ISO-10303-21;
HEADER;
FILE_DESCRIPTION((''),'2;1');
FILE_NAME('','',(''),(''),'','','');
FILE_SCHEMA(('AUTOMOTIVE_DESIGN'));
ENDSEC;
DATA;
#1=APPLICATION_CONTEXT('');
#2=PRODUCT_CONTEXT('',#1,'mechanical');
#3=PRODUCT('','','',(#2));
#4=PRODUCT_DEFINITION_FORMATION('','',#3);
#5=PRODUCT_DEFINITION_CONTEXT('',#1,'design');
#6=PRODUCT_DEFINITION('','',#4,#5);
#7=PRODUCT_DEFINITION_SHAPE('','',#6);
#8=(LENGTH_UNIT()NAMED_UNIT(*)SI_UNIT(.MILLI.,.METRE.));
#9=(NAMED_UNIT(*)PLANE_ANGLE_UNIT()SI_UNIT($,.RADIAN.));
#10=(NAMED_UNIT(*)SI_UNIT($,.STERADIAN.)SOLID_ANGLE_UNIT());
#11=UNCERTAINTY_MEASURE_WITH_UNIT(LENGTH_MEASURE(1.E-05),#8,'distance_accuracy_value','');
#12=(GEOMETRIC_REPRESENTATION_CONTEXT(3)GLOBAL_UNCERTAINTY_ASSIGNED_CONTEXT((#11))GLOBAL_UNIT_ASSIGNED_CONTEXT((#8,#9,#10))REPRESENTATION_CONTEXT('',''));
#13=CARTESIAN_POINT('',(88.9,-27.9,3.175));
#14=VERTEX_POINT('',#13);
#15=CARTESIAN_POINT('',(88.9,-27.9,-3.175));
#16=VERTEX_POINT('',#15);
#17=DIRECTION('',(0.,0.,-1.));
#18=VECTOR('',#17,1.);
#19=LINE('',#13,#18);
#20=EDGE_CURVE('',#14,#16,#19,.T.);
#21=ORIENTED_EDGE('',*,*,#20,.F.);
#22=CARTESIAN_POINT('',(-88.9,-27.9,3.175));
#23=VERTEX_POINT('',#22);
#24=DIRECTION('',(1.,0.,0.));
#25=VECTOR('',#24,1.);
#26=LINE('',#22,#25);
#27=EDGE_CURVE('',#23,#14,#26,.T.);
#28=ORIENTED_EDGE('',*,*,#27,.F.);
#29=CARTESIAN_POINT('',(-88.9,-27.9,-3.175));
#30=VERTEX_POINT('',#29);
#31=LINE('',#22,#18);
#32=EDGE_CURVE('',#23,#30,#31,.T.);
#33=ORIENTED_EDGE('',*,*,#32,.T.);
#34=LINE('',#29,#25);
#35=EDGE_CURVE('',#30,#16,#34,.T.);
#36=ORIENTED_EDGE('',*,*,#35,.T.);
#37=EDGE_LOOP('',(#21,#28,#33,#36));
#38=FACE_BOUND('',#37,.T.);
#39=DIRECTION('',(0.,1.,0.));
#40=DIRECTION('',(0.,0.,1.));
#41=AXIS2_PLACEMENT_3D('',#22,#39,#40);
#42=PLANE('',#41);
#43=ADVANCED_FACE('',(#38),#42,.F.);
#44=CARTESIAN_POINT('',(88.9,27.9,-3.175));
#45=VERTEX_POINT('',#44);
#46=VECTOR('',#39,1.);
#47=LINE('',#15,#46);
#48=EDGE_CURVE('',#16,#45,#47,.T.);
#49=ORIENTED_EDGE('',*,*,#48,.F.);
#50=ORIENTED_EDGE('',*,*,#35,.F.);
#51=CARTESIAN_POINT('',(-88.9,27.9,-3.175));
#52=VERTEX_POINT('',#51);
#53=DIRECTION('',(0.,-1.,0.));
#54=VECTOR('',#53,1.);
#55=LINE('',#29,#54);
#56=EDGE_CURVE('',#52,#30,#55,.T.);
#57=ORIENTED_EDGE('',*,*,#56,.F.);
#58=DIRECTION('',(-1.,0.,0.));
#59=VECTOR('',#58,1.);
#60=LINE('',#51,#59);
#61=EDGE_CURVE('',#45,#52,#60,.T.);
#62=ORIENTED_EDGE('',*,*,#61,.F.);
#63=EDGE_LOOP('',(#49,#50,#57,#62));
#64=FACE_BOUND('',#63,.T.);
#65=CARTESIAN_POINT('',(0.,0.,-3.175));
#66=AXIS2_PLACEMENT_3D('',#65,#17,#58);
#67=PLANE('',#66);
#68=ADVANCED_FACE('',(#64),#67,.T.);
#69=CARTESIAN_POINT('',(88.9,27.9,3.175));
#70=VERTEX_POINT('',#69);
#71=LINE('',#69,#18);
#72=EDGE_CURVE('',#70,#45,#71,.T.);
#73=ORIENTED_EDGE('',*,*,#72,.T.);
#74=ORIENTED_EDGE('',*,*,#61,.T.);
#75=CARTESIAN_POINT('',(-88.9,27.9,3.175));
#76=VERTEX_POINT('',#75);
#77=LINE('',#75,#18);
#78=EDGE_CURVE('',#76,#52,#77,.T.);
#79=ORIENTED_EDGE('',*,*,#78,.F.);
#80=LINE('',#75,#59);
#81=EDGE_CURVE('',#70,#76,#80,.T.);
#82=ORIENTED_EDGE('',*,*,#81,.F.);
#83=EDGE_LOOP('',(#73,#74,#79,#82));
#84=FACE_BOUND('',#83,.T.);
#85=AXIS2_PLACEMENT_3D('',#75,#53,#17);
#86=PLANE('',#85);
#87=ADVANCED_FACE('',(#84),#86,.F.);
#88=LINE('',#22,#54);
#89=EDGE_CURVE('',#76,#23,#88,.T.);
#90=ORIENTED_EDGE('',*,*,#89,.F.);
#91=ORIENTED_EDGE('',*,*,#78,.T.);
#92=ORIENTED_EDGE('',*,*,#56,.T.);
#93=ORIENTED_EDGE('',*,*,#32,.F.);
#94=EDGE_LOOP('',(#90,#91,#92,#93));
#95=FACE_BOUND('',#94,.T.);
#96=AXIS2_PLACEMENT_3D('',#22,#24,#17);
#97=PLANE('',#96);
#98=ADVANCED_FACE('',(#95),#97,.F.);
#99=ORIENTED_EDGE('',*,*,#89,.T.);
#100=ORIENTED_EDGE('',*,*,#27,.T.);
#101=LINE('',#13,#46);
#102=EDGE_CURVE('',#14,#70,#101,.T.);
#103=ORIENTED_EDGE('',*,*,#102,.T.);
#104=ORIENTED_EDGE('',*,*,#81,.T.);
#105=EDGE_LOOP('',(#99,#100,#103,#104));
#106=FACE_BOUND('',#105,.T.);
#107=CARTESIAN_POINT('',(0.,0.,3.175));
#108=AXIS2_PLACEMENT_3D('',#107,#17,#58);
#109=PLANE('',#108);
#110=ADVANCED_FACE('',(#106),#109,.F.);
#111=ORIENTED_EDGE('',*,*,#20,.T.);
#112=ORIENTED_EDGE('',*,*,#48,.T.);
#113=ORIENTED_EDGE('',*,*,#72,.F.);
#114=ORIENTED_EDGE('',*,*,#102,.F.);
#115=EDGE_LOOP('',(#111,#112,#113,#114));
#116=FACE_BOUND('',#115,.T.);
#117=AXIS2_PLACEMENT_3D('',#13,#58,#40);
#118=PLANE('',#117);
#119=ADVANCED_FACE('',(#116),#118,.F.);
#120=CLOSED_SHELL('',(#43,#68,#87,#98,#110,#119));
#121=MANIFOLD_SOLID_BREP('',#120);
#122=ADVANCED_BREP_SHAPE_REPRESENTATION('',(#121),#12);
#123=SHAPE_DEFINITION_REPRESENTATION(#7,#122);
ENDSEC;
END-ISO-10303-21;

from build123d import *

# Parameters (mm, degrees)
SKETCH1_W           = 177.8
SKETCH1_H           = 55.8
BOSS_EXTRUDE1_DEPTH = 3.175


with BuildPart() as part:
    # Sketch1 → Boss-Extrude1 (new, symmetric)
    with BuildSketch(Plane.XY):
        Rectangle(SKETCH1_W, SKETCH1_H)
    extrude(amount=BOSS_EXTRUDE1_DEPTH, both=True)


solid = part.part
